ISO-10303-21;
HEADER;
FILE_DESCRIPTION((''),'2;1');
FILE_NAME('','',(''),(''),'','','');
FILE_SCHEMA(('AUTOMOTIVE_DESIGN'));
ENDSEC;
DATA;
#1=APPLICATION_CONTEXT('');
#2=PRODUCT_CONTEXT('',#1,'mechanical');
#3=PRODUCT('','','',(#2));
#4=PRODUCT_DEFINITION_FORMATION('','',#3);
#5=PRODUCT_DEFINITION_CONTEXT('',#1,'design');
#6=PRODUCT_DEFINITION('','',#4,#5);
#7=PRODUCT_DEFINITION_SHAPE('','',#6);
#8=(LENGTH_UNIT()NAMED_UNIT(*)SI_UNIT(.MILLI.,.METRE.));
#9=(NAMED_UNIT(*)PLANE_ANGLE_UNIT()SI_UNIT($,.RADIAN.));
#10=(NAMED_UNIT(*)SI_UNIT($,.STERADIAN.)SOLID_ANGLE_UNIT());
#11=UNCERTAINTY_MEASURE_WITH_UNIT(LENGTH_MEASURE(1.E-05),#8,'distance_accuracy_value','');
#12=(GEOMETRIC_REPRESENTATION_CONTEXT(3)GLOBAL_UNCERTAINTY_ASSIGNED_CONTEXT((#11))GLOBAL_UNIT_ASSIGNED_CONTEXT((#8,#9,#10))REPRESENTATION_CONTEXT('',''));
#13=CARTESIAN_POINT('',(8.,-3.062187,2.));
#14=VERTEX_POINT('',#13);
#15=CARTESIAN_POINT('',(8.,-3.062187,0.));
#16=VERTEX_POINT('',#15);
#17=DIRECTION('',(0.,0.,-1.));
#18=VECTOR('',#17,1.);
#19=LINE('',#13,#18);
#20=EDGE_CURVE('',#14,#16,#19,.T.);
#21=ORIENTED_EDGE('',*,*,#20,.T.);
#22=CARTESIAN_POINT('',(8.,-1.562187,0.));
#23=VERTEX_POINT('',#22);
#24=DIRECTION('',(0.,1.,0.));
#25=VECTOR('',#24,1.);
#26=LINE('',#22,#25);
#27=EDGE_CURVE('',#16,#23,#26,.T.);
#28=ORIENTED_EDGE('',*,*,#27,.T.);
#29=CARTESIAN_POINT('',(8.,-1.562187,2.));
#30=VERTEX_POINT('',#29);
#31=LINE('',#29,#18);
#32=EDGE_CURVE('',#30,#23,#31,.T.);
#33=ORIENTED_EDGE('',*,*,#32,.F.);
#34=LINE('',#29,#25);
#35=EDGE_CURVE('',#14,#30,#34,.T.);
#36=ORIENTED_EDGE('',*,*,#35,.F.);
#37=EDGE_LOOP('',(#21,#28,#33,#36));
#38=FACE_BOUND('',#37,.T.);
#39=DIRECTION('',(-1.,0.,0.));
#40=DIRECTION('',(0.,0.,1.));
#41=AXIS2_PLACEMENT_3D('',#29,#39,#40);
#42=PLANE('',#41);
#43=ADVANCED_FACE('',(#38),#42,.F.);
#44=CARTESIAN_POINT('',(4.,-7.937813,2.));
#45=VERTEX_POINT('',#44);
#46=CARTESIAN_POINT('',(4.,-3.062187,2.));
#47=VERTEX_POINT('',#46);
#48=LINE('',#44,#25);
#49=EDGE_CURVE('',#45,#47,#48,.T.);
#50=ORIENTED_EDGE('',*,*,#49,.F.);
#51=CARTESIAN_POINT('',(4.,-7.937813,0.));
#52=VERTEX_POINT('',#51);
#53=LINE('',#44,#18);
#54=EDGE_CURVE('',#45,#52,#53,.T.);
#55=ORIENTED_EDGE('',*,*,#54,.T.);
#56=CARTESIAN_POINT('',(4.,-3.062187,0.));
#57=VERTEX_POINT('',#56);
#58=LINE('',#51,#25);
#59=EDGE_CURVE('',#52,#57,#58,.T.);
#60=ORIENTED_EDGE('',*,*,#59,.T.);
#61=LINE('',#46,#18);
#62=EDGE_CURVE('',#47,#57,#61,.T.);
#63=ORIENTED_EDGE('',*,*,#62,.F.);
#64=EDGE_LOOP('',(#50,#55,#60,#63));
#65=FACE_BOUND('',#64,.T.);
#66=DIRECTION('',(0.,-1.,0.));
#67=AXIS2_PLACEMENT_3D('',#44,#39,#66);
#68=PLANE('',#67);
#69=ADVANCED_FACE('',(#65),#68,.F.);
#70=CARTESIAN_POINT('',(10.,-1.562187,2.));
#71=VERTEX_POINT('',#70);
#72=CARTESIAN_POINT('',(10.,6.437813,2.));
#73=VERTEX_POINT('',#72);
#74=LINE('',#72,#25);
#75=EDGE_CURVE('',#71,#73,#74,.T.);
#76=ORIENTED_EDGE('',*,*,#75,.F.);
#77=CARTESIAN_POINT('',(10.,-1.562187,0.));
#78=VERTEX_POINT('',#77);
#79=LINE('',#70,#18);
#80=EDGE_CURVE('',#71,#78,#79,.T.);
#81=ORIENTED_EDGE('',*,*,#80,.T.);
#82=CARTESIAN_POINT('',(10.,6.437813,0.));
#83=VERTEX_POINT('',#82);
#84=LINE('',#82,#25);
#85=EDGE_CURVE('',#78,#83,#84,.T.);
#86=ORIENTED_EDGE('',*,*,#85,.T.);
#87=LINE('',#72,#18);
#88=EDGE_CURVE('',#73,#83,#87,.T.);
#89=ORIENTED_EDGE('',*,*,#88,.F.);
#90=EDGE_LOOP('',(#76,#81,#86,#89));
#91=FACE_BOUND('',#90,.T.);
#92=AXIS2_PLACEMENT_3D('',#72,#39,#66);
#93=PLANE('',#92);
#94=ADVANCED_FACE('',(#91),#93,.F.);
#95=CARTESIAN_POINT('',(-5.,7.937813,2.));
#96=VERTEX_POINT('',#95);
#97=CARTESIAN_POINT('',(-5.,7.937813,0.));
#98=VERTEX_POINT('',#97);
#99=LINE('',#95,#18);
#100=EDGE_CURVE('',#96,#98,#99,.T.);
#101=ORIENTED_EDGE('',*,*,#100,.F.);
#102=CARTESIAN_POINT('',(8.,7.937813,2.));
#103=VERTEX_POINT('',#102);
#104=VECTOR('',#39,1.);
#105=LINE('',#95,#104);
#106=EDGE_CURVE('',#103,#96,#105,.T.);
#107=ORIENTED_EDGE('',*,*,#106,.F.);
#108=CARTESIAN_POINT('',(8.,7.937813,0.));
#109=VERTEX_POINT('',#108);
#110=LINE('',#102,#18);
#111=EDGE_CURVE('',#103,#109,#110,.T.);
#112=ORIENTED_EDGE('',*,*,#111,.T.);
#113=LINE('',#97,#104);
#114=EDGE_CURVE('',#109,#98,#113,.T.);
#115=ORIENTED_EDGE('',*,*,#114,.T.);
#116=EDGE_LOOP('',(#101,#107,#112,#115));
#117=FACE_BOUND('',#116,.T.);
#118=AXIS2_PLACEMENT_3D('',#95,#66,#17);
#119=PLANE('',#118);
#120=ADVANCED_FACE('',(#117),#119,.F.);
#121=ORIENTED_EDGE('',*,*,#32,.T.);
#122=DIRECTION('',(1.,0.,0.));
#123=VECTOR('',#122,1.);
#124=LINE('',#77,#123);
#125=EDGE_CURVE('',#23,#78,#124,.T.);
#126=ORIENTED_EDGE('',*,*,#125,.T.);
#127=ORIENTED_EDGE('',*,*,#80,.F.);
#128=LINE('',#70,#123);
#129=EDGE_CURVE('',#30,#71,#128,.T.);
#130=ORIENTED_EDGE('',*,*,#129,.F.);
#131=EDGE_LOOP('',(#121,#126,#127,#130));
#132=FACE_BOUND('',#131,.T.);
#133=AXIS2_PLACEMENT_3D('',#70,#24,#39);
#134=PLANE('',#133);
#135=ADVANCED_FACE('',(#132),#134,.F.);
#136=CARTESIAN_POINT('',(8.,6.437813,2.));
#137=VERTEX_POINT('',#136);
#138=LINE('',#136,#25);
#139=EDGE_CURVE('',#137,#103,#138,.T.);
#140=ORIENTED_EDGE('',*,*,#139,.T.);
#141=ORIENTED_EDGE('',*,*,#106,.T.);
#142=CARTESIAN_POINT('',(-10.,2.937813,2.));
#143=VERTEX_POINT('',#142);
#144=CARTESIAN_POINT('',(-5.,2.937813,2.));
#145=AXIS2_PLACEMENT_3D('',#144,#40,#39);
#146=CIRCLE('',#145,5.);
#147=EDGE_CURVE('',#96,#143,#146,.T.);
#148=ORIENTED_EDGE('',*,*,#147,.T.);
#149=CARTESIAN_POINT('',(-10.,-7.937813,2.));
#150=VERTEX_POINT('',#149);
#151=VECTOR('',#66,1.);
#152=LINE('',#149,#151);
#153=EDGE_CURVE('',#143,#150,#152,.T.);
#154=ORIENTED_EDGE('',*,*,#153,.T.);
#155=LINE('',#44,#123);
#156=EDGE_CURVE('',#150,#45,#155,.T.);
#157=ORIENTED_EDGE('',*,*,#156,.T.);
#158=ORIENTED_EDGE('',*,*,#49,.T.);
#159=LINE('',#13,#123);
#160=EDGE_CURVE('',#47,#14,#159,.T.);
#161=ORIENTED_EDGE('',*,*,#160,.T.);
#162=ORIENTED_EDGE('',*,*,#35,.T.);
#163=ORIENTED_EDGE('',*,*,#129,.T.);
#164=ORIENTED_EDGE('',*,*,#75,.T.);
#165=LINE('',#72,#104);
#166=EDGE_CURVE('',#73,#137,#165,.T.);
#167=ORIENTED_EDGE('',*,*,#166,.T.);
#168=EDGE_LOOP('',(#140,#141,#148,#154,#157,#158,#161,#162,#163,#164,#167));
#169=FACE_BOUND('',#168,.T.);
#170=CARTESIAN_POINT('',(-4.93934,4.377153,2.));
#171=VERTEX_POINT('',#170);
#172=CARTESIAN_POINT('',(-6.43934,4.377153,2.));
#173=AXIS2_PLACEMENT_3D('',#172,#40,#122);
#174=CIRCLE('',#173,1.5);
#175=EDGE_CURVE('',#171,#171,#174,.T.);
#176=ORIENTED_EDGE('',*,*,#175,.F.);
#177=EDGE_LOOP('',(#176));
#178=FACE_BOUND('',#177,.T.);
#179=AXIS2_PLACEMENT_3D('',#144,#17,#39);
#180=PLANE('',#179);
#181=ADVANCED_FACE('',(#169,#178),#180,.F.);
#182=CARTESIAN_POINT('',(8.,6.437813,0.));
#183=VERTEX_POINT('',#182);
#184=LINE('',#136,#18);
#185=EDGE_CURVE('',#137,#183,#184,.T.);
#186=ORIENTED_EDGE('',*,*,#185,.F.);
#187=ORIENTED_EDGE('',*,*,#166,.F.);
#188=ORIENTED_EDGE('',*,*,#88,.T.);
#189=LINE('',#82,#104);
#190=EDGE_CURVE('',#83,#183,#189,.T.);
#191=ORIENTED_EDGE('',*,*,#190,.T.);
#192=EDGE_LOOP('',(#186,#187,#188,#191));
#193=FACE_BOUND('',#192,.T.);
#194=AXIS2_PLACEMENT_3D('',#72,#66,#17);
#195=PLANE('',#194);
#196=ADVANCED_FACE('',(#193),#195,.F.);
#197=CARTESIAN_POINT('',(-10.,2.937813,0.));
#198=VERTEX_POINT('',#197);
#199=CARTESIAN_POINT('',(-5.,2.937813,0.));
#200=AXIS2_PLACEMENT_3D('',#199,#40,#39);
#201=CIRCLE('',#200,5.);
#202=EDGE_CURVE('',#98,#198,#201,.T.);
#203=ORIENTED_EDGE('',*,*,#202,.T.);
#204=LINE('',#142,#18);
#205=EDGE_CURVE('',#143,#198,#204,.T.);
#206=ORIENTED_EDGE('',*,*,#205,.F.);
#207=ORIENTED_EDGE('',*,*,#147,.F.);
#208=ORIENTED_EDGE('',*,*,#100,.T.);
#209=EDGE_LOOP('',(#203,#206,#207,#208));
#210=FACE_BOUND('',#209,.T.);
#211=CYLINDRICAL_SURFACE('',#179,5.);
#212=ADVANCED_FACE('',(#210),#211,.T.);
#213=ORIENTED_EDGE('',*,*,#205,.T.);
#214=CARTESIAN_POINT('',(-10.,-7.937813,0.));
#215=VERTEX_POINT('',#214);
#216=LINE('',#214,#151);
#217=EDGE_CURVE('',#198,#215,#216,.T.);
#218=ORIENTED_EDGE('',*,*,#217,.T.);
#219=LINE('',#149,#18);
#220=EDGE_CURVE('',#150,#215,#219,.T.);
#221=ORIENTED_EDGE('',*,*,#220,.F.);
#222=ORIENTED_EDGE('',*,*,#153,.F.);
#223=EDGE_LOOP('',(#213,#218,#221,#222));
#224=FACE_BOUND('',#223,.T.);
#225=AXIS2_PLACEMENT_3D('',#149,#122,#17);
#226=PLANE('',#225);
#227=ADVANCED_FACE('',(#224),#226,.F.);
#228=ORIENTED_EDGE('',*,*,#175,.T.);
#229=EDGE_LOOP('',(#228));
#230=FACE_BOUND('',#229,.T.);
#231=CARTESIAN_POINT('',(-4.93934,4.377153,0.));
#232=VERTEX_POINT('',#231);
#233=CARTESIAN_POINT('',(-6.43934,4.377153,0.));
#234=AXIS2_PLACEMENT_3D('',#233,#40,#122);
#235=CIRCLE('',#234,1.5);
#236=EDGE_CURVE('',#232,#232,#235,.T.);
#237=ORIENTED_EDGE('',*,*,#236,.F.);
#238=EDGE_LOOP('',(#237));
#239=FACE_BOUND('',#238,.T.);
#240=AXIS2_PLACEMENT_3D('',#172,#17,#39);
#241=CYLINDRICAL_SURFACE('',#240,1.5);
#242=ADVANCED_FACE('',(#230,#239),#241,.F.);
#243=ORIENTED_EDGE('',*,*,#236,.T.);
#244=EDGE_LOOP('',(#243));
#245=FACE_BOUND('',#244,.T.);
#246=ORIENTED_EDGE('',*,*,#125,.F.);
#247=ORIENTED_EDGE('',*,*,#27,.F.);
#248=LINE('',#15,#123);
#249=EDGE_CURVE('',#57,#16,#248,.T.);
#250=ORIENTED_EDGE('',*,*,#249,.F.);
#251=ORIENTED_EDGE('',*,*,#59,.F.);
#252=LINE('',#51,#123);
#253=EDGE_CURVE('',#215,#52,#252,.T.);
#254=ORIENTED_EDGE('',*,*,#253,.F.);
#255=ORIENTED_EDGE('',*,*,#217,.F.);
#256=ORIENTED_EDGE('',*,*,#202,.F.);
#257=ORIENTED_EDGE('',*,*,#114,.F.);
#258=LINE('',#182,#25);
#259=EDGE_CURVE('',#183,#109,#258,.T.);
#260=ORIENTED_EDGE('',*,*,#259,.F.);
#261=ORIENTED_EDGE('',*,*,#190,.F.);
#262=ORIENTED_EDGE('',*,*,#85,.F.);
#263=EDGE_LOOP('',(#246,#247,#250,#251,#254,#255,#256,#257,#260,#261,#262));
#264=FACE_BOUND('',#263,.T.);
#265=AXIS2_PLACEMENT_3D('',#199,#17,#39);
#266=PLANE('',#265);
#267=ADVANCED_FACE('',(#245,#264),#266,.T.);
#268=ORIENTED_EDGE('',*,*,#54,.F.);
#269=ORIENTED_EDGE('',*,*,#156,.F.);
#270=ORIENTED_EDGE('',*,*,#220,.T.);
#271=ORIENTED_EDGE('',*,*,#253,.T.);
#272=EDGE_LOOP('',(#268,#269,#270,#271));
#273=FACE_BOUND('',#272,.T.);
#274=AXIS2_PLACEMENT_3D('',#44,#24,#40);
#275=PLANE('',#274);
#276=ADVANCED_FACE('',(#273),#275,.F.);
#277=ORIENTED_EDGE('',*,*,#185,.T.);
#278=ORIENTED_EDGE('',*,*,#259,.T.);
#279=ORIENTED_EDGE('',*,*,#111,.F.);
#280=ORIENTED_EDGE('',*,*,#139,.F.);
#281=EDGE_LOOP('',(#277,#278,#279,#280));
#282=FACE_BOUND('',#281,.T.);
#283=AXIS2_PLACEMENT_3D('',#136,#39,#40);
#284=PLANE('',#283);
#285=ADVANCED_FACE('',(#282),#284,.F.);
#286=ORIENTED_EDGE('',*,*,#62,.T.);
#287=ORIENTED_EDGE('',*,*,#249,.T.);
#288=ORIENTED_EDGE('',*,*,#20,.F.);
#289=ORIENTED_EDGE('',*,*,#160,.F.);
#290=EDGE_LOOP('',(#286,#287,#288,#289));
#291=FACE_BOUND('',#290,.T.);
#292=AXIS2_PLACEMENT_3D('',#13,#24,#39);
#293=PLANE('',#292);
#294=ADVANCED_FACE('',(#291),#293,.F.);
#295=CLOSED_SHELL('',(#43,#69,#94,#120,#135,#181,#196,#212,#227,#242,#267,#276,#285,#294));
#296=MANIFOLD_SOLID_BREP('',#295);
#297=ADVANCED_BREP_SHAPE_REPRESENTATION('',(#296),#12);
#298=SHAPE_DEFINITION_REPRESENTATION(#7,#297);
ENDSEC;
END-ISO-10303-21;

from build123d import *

# Parameters (mm, degrees)
SKETCH1_R           = 1.5
BOSS_EXTRUDE1_DEPTH = 2


with BuildPart() as part:
    # Sketch1 → Boss-Extrude1 (new body)
    with BuildSketch(Plane.XY):
        with BuildLine():
            Line((10, -1.562186701), (8, -1.562186701))
            Line((8, -1.562186701), (8, -3.062186701))
            Line((8, -3.062186701), (4, -3.062186701))
            Line((4, -3.062186701), (4, -7.937813299))
            Line((4, -7.937813299), (-10, -7.937813299))
            Line((-10, -7.937813299), (-10, 2.937813299))
            ThreePointArc((-10, 2.937813299), (-8.535533906, 6.473347205), (-5, 7.937813299))
            Line((-5, 7.937813299), (8, 7.937813299))
            Line((8, 7.937813299), (8, 6.437813299))
            Line((8, 6.437813299), (10, 6.437813299))
            Line((10, 6.437813299), (10, -1.562186701))
        make_face()
        with Locations((-6.439339828, 4.377153127)):
            Circle(SKETCH1_R, mode=Mode.SUBTRACT)
    extrude(amount=BOSS_EXTRUDE1_DEPTH)


solid = part.part
